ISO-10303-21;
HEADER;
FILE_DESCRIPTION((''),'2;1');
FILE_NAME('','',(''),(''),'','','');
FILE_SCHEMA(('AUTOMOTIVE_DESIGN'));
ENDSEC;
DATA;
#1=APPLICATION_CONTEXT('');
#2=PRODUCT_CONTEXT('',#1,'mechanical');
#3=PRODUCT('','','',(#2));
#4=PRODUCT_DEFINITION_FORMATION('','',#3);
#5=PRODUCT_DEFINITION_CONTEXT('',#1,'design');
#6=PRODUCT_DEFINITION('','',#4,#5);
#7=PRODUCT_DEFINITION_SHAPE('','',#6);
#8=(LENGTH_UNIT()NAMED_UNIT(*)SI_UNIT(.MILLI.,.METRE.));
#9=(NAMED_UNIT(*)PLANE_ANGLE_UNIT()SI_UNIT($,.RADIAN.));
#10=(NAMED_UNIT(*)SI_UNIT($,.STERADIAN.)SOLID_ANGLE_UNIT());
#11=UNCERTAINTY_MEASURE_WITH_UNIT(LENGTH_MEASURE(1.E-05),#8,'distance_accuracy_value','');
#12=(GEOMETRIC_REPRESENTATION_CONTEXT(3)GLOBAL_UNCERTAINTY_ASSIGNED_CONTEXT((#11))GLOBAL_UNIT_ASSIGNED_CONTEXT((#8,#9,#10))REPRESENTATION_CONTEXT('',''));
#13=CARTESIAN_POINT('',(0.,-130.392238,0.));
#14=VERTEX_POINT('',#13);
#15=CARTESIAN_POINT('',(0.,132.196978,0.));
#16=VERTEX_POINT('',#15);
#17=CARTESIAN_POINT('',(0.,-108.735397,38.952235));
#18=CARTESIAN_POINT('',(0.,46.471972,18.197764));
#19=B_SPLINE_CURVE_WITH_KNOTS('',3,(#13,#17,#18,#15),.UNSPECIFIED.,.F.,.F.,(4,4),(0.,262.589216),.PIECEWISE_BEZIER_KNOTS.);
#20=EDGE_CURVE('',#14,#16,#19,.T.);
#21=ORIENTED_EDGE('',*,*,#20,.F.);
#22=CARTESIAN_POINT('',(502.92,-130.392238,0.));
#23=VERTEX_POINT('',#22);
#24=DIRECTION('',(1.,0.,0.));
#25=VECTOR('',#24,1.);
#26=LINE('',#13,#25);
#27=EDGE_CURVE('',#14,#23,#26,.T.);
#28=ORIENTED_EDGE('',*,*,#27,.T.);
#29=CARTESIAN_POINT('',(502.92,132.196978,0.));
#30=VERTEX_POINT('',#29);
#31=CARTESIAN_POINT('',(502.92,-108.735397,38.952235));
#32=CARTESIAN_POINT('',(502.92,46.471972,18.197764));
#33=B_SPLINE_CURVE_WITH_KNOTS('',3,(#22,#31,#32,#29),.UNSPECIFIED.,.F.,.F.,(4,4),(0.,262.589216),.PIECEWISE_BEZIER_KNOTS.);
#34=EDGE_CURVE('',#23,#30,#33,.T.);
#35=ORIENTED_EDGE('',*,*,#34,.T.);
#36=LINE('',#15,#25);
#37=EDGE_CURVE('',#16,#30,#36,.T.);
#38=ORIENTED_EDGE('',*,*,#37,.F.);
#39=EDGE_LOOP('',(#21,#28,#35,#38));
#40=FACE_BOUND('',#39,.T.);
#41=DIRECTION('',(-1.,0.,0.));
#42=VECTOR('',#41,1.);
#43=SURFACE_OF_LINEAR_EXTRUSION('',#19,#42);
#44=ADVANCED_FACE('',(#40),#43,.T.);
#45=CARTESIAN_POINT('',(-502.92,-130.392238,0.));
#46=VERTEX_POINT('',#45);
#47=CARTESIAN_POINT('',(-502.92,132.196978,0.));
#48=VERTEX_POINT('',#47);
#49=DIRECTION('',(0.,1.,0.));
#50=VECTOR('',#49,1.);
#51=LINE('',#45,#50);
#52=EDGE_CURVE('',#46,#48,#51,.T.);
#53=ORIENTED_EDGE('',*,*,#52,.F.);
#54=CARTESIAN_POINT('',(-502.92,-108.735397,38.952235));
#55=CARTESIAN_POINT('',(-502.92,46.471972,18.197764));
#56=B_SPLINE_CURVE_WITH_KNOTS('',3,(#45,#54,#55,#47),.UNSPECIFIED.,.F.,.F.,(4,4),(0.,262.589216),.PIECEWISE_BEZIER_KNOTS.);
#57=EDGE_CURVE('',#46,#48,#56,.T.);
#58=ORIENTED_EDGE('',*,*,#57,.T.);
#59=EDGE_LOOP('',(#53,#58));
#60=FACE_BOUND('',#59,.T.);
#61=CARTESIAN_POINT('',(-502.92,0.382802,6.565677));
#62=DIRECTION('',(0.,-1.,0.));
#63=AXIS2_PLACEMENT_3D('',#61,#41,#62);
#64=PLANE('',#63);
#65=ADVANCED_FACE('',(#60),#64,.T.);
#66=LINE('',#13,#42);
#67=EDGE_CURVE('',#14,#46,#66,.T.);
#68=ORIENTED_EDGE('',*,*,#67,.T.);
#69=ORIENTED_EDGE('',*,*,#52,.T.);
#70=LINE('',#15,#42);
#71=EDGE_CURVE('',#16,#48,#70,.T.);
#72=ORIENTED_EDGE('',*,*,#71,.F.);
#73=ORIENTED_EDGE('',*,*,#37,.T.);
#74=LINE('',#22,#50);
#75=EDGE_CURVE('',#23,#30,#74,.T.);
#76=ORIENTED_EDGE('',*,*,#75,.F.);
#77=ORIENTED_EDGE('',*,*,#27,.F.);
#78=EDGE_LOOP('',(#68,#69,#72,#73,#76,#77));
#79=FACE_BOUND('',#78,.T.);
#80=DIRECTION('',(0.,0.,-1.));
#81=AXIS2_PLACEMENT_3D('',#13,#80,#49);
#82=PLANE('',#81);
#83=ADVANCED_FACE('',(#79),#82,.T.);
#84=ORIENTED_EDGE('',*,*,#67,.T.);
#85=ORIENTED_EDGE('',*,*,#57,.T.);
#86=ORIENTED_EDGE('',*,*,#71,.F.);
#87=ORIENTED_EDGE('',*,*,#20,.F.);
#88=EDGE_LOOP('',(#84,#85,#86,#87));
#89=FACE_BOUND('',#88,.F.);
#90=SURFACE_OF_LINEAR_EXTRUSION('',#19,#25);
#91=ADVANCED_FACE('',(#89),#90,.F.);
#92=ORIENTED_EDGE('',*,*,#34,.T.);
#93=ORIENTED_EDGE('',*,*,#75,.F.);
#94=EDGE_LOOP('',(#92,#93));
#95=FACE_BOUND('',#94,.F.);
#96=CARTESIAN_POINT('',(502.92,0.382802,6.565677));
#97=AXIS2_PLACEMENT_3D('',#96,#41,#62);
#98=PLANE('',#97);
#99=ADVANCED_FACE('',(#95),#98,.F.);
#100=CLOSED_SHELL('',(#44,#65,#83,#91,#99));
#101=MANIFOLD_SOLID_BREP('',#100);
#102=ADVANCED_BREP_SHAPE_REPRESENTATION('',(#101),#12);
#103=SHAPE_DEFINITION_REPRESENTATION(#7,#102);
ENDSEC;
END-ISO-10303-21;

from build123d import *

# Parameters (mm, degrees)
F1_DEPTH = 502.92


with BuildPart() as f1:
    # F0 (on Right) → F1 (new body, symmetric)
    with BuildSketch(Plane.YZ):
        with BuildLine():
            add(Edge.make_bspline(
                [(-130.392238, 0), (-108.735397, 38.952235), (46.471972, 18.197764), (132.196978, 0)],
                knots=[0, 0, 0, 0, 262.589216, 262.589216, 262.589216, 262.589216], degree=3))
            Line((-130.392238, 0), (132.196978, 0))
        make_face()
    extrude(amount=F1_DEPTH, both=True)


solid = f1.part
